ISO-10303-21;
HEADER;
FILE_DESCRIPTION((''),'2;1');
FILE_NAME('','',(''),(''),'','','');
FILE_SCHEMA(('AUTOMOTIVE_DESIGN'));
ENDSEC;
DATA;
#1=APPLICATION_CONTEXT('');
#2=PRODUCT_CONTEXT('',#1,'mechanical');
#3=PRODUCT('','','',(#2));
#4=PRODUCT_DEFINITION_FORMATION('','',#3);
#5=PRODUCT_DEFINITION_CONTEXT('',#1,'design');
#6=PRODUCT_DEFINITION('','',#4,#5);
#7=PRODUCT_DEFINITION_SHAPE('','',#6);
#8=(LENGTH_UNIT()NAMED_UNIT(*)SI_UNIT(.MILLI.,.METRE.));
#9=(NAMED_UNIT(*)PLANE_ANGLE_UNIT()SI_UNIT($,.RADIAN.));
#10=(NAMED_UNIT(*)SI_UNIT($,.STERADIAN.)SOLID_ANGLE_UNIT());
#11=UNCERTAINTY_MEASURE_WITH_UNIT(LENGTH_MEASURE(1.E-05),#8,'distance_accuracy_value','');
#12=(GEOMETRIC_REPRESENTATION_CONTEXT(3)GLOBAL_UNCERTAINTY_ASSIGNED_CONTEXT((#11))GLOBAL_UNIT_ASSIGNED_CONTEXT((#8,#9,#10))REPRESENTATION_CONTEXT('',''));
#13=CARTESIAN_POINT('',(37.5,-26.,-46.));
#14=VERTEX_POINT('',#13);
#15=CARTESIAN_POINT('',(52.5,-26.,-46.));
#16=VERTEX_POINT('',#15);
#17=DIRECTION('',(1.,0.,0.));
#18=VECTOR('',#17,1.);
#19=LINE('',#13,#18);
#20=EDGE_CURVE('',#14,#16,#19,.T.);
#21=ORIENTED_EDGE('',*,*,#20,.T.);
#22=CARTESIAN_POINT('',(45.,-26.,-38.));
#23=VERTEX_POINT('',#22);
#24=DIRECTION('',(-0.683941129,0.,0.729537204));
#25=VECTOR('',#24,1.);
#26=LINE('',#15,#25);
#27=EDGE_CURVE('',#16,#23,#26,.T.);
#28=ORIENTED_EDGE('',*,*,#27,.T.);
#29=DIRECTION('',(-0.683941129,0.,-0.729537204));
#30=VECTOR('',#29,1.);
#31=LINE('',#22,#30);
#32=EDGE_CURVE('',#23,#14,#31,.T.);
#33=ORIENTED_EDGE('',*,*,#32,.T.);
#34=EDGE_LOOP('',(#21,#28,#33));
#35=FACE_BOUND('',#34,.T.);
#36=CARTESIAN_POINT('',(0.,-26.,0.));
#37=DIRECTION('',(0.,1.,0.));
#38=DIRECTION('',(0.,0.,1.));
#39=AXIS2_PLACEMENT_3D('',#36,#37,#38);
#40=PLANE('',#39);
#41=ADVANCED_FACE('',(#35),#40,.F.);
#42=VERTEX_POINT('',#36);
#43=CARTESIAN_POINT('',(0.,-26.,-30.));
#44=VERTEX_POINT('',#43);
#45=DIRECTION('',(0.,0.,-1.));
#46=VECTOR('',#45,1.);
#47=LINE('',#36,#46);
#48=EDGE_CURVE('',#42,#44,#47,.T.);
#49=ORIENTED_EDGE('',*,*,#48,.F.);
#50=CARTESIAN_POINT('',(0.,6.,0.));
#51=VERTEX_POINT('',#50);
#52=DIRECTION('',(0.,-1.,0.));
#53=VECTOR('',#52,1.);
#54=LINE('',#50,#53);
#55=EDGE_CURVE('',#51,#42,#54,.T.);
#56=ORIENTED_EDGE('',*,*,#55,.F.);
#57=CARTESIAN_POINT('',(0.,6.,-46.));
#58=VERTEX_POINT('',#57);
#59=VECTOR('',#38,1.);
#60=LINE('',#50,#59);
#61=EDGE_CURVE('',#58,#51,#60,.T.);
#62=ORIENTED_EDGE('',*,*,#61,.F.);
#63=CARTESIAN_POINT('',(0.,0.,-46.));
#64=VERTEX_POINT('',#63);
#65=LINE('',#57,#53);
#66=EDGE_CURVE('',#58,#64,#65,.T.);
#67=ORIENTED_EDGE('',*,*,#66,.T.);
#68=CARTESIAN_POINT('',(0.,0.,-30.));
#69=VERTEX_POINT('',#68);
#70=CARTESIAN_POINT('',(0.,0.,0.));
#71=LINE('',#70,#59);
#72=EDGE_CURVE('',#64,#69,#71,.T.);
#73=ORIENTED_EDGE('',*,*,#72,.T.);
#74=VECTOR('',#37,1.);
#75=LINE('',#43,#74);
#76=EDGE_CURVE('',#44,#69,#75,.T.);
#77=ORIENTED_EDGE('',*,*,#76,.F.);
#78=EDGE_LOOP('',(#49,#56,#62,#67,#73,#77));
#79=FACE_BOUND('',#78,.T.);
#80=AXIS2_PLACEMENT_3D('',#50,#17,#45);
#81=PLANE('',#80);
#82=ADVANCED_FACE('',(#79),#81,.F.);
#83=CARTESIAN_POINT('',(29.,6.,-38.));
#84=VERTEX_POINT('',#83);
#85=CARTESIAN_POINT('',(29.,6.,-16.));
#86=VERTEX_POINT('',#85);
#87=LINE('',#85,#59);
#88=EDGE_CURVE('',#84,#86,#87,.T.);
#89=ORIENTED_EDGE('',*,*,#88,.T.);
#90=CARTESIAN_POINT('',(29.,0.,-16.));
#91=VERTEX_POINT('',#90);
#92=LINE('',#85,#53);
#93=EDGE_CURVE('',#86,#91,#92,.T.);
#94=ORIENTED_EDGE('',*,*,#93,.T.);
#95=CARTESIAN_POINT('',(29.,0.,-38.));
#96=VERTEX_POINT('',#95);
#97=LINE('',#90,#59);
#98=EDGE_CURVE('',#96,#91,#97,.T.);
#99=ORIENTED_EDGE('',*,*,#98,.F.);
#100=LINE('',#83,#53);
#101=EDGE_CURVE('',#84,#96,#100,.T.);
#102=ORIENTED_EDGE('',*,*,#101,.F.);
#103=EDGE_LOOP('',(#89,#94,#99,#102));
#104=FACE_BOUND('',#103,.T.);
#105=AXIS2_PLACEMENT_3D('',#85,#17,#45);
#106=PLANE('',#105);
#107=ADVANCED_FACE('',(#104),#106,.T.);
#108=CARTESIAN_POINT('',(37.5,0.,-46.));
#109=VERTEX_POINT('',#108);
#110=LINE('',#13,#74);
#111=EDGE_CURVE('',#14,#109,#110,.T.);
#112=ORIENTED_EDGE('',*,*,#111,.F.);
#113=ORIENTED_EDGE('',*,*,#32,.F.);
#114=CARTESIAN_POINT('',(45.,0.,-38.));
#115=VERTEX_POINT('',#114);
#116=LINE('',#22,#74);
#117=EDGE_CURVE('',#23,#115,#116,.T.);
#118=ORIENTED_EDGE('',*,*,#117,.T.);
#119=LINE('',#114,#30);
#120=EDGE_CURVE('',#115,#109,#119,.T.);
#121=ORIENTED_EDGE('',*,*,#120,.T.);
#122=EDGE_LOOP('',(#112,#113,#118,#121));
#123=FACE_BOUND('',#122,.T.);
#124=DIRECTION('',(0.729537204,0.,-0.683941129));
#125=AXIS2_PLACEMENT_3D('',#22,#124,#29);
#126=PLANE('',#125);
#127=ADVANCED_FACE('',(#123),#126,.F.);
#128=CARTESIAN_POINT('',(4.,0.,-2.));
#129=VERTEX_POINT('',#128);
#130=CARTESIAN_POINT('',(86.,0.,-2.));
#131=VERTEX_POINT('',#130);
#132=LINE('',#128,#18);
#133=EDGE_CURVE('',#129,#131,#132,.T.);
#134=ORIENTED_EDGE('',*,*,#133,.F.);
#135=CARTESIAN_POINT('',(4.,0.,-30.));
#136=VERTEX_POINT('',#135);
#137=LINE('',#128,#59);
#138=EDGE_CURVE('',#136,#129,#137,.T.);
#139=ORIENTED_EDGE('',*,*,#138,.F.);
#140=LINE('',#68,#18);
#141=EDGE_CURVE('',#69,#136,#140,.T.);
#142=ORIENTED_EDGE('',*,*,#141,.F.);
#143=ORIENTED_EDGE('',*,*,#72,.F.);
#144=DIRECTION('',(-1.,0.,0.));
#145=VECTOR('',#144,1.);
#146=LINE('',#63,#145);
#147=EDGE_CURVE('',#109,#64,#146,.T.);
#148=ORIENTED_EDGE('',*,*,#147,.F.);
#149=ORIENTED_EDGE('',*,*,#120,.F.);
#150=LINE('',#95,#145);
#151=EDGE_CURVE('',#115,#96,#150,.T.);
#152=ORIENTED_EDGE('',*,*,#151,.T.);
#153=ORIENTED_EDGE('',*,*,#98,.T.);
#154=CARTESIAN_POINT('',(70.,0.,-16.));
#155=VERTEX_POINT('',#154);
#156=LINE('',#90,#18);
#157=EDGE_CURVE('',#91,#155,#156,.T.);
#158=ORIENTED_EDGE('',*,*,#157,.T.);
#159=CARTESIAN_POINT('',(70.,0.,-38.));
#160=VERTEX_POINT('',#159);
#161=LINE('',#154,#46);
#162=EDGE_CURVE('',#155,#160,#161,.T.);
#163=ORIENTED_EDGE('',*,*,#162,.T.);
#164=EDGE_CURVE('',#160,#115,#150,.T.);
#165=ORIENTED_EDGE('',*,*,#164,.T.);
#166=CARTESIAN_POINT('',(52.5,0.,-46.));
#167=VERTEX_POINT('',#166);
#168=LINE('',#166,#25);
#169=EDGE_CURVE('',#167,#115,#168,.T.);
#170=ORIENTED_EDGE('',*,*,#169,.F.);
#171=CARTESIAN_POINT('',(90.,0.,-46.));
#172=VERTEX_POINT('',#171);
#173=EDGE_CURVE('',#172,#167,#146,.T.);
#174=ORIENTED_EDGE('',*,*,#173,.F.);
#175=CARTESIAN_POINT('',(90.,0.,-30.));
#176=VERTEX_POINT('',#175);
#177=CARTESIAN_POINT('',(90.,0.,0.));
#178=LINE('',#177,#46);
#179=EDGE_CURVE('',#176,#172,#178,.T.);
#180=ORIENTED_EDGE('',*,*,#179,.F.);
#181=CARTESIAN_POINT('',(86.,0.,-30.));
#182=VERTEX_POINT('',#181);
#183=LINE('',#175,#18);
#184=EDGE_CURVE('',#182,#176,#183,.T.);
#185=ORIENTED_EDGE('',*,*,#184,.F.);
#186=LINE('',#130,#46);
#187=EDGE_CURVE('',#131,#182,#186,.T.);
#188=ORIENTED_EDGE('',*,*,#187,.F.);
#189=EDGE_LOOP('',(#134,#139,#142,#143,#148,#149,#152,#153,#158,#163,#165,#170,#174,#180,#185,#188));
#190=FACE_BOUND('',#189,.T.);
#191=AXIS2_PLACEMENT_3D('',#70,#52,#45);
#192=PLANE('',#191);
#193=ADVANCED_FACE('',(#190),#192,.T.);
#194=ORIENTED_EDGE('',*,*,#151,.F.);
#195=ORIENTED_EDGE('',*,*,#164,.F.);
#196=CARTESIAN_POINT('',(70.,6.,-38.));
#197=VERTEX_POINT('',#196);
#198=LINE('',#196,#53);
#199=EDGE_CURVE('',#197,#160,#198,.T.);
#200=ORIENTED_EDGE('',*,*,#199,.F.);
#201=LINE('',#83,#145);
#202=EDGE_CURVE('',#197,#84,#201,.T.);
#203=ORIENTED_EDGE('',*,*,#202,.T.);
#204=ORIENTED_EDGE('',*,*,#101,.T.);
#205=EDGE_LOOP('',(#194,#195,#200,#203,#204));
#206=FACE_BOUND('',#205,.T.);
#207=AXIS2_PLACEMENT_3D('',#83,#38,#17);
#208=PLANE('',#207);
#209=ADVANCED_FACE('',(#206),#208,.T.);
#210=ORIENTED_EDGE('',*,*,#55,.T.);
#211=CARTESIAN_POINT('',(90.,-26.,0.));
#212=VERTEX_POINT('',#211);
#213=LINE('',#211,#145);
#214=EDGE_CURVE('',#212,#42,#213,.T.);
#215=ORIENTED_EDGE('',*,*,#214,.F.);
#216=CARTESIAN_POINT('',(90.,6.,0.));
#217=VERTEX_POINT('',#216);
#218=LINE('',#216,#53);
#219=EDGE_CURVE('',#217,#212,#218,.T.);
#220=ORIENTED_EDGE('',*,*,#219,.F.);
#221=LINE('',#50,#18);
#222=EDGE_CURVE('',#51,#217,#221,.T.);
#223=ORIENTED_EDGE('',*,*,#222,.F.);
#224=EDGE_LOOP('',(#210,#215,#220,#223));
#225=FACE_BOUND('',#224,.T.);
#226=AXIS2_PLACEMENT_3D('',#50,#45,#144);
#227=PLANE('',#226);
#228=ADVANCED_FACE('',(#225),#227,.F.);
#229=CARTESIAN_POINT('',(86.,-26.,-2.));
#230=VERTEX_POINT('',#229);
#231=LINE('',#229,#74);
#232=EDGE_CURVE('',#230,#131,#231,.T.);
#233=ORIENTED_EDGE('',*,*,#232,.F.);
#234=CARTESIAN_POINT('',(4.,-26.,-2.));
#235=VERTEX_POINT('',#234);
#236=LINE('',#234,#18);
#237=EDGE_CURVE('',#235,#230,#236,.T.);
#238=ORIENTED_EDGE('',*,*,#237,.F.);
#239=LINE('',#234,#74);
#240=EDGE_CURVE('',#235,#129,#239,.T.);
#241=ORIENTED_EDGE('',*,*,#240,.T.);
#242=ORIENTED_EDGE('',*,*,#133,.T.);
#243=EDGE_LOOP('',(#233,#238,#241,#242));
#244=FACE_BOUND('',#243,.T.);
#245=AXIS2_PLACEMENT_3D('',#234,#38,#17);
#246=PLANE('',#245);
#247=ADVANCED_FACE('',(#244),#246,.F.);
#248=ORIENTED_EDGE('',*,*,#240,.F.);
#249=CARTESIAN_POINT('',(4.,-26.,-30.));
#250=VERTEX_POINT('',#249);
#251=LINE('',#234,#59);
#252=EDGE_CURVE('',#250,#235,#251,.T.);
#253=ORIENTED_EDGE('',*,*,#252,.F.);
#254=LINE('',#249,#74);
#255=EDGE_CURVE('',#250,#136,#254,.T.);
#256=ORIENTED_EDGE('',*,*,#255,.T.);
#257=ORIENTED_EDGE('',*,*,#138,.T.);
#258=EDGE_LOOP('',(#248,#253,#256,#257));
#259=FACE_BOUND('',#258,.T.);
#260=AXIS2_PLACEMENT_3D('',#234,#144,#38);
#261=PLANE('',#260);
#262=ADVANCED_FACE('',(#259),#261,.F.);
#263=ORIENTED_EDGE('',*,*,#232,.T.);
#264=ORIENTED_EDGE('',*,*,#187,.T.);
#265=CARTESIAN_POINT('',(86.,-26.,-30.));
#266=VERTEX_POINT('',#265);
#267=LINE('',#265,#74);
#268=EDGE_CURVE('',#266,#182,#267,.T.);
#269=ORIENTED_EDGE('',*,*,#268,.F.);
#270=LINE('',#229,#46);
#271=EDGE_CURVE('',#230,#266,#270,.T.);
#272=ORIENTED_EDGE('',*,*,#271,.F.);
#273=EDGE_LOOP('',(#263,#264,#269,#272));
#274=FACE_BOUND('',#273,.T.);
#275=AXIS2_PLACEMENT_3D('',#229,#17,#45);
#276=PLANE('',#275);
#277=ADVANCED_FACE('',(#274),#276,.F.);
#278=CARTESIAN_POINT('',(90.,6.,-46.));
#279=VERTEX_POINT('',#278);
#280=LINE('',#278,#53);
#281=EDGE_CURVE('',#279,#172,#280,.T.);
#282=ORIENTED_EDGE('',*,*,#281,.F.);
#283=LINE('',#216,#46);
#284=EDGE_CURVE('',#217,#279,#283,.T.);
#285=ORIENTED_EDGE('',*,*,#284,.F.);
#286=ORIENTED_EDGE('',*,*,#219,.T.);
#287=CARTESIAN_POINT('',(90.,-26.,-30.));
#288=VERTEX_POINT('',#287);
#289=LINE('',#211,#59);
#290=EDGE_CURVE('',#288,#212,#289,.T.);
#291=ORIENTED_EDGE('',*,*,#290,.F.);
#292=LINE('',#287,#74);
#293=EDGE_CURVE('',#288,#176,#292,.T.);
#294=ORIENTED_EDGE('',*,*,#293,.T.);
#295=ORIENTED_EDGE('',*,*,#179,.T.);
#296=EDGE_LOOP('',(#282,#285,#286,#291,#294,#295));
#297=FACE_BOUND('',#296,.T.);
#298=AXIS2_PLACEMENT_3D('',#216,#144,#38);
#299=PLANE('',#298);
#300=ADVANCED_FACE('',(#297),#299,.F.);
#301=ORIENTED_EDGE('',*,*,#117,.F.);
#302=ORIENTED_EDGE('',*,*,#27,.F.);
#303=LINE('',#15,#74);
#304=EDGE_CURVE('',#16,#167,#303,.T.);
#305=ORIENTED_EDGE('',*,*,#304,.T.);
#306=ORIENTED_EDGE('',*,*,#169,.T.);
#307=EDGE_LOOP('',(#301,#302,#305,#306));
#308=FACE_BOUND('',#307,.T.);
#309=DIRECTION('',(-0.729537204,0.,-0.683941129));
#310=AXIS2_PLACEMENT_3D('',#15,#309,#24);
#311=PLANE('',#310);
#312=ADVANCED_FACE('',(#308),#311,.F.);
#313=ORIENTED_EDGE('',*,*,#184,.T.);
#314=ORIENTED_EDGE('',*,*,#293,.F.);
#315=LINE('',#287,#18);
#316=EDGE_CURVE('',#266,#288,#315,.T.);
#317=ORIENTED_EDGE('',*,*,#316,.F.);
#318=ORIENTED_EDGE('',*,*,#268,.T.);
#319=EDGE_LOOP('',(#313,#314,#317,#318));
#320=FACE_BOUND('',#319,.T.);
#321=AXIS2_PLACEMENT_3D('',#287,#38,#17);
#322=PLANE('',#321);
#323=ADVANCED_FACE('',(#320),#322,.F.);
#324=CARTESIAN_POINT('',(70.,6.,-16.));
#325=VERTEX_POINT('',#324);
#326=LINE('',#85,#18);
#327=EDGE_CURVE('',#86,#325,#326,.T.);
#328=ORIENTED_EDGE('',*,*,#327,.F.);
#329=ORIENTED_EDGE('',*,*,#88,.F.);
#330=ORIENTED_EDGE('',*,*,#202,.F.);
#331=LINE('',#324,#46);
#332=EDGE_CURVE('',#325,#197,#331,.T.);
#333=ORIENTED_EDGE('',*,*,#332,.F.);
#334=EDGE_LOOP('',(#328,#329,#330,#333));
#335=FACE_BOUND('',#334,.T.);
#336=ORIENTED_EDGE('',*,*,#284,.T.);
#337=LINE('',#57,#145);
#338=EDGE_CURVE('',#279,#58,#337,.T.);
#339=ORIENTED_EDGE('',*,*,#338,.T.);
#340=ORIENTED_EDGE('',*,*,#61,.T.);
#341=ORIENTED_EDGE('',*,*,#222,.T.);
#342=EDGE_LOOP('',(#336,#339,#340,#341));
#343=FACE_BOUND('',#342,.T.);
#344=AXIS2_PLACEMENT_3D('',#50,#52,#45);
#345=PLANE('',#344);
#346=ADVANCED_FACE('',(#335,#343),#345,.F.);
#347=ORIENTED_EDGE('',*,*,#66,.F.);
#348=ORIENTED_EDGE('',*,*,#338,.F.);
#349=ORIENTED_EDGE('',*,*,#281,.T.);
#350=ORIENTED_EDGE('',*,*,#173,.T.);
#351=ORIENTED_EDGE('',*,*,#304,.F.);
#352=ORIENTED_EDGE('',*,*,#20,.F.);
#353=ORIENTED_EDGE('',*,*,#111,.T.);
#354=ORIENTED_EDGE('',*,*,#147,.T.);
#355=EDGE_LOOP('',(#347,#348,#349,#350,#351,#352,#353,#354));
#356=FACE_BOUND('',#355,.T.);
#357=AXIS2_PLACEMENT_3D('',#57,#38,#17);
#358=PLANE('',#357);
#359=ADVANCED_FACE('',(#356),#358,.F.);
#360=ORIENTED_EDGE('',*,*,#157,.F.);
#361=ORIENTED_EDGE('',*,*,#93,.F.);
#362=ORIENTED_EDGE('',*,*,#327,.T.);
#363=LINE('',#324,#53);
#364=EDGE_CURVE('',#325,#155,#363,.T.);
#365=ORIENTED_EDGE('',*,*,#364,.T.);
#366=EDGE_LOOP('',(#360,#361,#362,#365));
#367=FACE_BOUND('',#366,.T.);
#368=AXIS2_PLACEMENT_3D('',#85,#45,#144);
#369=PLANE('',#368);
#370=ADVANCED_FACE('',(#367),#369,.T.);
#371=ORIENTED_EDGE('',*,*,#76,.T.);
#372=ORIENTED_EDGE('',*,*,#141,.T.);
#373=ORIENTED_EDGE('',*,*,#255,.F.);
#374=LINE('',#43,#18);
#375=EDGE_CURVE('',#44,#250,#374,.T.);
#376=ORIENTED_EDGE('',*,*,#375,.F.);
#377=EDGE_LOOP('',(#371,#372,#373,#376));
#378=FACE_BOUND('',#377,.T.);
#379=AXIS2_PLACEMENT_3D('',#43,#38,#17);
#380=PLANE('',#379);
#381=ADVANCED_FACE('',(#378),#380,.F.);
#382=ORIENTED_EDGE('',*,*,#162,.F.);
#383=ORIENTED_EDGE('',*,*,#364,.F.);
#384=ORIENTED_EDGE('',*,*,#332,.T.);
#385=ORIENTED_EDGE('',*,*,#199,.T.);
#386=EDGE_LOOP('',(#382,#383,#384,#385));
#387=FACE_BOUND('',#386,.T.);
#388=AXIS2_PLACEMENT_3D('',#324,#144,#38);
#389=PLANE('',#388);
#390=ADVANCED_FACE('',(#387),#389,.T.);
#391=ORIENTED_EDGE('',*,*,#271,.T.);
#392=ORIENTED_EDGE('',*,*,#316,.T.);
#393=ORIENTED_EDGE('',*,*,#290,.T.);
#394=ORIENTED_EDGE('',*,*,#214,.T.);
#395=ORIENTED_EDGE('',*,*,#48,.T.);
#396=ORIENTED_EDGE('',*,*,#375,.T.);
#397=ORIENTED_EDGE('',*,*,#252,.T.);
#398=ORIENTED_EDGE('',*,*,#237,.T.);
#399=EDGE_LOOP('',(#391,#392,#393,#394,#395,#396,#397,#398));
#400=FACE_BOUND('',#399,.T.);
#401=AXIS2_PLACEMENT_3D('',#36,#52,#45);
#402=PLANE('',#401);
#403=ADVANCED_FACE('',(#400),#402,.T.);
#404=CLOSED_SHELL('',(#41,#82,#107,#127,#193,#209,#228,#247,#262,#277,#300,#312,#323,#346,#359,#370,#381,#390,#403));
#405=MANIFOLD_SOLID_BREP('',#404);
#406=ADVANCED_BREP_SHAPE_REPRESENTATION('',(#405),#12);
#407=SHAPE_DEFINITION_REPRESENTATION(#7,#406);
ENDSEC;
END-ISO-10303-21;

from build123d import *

# Parameters (mm, degrees)
SKETCH1_W           = 90
SKETCH1_H           = 46
SKETCH1_W_2         = 41
SKETCH1_H_2         = 22
BOSS_EXTRUDE1_DEPTH = 6
BOSS_EXTRUDE2_DEPTH = 26


with BuildPart() as part:
    # Sketch1 → Boss-Extrude1 (new body)
    with BuildSketch(Plane(origin=(0, 0, 0), x_dir=(1, 0, 0), z_dir=(0, 1, 0))):
        with Locations((45, 23)):
            Rectangle(SKETCH1_W, SKETCH1_H)
        with Locations((49.5, 27)):
            Rectangle(SKETCH1_W_2, SKETCH1_H_2, mode=Mode.SUBTRACT)
    extrude(amount=BOSS_EXTRUDE1_DEPTH)

    # Sketch2 → Boss-Extrude2 (add)
    with BuildSketch(Plane.XZ):
        Polygon((0, 0), (4, 0), (82, 0), (90, 0), (90, -30), (86, -30), (86, -2), (4, -2), (4, -30), (0, -30), align=None)
        Polygon((37.5, -46), (52.5, -46), (45, -38), align=None)
    extrude(amount=BOSS_EXTRUDE2_DEPTH)


solid = part.part
